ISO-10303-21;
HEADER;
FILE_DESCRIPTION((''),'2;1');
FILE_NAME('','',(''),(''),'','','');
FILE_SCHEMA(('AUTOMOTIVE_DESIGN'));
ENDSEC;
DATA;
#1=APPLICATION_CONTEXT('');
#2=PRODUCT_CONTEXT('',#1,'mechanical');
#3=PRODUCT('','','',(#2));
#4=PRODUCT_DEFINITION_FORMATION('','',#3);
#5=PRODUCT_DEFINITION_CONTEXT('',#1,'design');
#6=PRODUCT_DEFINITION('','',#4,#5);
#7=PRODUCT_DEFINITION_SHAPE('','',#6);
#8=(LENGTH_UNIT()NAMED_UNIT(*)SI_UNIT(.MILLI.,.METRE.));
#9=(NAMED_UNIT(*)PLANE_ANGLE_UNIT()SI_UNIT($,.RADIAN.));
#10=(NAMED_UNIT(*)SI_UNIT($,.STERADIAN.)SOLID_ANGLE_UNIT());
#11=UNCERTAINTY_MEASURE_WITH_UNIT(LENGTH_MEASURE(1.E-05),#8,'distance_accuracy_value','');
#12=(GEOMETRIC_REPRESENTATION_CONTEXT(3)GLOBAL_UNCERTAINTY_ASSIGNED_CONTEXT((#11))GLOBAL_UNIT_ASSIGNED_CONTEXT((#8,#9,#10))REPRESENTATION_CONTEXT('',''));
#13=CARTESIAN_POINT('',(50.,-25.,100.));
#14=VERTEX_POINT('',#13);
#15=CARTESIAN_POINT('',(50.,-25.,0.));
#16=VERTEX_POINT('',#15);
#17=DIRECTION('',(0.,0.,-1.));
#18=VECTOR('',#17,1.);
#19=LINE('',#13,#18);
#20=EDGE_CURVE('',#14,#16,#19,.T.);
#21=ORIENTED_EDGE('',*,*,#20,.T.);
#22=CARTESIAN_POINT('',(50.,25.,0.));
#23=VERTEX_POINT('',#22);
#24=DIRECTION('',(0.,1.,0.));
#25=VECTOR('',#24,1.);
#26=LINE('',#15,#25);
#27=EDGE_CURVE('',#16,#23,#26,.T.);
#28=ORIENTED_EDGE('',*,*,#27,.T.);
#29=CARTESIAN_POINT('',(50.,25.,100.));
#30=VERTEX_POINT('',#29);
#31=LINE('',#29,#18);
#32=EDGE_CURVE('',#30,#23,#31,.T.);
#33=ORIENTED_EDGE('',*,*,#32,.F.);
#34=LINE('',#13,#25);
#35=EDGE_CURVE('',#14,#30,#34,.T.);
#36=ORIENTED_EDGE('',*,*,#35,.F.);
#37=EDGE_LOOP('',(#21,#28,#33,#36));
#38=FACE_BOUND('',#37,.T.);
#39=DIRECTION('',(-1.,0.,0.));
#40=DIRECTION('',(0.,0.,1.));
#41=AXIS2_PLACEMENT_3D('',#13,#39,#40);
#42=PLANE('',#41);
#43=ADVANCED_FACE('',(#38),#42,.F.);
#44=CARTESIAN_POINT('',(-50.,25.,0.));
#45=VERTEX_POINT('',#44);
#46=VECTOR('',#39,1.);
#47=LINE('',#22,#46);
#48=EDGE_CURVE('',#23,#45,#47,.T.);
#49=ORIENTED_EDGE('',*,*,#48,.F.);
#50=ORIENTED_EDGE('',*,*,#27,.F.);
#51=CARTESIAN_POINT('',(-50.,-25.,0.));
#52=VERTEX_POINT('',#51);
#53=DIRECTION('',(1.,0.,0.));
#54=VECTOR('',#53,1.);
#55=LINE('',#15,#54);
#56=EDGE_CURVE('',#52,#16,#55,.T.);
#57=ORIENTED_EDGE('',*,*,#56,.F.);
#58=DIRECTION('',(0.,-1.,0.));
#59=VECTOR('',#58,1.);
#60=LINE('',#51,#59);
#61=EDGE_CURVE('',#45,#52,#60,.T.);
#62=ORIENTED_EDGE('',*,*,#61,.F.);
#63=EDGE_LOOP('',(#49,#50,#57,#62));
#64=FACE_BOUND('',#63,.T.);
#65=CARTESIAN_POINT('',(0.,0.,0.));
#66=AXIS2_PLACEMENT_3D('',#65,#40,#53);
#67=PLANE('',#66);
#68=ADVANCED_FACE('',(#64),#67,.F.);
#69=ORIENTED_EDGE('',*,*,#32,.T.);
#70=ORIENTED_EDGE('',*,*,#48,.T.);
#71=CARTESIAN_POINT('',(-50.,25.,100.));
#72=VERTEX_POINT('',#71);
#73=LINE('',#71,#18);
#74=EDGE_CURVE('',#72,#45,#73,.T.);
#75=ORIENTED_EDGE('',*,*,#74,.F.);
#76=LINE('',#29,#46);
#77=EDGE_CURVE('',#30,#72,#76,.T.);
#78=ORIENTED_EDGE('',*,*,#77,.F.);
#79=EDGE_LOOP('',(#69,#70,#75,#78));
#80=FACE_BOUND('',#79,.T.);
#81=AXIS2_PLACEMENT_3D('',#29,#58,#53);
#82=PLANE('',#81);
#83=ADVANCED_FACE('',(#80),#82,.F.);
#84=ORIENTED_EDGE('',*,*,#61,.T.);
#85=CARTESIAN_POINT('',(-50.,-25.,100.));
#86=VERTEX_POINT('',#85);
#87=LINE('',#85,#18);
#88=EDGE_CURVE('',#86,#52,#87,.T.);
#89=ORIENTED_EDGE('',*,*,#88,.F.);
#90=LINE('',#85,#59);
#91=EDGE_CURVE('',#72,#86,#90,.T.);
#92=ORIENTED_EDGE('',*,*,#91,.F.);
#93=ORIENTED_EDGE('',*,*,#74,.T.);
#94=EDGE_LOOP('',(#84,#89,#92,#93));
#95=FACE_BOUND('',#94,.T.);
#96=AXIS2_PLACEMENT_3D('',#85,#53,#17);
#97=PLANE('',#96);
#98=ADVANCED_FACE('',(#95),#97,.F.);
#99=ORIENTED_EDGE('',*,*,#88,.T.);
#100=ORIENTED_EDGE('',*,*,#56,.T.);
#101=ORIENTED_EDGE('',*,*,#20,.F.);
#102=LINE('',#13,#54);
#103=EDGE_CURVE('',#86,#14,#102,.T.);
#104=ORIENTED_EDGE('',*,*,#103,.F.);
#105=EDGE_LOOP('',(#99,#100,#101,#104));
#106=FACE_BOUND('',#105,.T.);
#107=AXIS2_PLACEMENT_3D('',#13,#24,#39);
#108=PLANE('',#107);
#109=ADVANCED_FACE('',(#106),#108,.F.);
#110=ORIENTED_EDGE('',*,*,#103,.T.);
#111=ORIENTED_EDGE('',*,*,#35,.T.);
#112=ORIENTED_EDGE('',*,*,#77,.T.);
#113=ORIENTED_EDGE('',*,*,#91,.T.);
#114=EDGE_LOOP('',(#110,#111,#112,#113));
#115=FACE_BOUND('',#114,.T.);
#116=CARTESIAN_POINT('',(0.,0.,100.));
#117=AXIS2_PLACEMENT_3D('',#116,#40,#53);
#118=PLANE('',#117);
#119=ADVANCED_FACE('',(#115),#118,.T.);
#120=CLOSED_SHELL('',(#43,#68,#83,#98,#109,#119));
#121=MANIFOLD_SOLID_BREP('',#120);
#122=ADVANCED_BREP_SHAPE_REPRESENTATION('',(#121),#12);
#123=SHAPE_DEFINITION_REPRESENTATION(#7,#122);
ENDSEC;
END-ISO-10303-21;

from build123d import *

# Parameters (mm, degrees)
SKETCH1_W           = 100
SKETCH1_H           = 50
BOSS_EXTRUDE1_DEPTH = 100


with BuildPart() as part:
    # Sketch1 → Boss-Extrude1 (new body)
    with BuildSketch(Plane.XY):
        Rectangle(SKETCH1_W, SKETCH1_H)
    extrude(amount=BOSS_EXTRUDE1_DEPTH)


solid = part.part
